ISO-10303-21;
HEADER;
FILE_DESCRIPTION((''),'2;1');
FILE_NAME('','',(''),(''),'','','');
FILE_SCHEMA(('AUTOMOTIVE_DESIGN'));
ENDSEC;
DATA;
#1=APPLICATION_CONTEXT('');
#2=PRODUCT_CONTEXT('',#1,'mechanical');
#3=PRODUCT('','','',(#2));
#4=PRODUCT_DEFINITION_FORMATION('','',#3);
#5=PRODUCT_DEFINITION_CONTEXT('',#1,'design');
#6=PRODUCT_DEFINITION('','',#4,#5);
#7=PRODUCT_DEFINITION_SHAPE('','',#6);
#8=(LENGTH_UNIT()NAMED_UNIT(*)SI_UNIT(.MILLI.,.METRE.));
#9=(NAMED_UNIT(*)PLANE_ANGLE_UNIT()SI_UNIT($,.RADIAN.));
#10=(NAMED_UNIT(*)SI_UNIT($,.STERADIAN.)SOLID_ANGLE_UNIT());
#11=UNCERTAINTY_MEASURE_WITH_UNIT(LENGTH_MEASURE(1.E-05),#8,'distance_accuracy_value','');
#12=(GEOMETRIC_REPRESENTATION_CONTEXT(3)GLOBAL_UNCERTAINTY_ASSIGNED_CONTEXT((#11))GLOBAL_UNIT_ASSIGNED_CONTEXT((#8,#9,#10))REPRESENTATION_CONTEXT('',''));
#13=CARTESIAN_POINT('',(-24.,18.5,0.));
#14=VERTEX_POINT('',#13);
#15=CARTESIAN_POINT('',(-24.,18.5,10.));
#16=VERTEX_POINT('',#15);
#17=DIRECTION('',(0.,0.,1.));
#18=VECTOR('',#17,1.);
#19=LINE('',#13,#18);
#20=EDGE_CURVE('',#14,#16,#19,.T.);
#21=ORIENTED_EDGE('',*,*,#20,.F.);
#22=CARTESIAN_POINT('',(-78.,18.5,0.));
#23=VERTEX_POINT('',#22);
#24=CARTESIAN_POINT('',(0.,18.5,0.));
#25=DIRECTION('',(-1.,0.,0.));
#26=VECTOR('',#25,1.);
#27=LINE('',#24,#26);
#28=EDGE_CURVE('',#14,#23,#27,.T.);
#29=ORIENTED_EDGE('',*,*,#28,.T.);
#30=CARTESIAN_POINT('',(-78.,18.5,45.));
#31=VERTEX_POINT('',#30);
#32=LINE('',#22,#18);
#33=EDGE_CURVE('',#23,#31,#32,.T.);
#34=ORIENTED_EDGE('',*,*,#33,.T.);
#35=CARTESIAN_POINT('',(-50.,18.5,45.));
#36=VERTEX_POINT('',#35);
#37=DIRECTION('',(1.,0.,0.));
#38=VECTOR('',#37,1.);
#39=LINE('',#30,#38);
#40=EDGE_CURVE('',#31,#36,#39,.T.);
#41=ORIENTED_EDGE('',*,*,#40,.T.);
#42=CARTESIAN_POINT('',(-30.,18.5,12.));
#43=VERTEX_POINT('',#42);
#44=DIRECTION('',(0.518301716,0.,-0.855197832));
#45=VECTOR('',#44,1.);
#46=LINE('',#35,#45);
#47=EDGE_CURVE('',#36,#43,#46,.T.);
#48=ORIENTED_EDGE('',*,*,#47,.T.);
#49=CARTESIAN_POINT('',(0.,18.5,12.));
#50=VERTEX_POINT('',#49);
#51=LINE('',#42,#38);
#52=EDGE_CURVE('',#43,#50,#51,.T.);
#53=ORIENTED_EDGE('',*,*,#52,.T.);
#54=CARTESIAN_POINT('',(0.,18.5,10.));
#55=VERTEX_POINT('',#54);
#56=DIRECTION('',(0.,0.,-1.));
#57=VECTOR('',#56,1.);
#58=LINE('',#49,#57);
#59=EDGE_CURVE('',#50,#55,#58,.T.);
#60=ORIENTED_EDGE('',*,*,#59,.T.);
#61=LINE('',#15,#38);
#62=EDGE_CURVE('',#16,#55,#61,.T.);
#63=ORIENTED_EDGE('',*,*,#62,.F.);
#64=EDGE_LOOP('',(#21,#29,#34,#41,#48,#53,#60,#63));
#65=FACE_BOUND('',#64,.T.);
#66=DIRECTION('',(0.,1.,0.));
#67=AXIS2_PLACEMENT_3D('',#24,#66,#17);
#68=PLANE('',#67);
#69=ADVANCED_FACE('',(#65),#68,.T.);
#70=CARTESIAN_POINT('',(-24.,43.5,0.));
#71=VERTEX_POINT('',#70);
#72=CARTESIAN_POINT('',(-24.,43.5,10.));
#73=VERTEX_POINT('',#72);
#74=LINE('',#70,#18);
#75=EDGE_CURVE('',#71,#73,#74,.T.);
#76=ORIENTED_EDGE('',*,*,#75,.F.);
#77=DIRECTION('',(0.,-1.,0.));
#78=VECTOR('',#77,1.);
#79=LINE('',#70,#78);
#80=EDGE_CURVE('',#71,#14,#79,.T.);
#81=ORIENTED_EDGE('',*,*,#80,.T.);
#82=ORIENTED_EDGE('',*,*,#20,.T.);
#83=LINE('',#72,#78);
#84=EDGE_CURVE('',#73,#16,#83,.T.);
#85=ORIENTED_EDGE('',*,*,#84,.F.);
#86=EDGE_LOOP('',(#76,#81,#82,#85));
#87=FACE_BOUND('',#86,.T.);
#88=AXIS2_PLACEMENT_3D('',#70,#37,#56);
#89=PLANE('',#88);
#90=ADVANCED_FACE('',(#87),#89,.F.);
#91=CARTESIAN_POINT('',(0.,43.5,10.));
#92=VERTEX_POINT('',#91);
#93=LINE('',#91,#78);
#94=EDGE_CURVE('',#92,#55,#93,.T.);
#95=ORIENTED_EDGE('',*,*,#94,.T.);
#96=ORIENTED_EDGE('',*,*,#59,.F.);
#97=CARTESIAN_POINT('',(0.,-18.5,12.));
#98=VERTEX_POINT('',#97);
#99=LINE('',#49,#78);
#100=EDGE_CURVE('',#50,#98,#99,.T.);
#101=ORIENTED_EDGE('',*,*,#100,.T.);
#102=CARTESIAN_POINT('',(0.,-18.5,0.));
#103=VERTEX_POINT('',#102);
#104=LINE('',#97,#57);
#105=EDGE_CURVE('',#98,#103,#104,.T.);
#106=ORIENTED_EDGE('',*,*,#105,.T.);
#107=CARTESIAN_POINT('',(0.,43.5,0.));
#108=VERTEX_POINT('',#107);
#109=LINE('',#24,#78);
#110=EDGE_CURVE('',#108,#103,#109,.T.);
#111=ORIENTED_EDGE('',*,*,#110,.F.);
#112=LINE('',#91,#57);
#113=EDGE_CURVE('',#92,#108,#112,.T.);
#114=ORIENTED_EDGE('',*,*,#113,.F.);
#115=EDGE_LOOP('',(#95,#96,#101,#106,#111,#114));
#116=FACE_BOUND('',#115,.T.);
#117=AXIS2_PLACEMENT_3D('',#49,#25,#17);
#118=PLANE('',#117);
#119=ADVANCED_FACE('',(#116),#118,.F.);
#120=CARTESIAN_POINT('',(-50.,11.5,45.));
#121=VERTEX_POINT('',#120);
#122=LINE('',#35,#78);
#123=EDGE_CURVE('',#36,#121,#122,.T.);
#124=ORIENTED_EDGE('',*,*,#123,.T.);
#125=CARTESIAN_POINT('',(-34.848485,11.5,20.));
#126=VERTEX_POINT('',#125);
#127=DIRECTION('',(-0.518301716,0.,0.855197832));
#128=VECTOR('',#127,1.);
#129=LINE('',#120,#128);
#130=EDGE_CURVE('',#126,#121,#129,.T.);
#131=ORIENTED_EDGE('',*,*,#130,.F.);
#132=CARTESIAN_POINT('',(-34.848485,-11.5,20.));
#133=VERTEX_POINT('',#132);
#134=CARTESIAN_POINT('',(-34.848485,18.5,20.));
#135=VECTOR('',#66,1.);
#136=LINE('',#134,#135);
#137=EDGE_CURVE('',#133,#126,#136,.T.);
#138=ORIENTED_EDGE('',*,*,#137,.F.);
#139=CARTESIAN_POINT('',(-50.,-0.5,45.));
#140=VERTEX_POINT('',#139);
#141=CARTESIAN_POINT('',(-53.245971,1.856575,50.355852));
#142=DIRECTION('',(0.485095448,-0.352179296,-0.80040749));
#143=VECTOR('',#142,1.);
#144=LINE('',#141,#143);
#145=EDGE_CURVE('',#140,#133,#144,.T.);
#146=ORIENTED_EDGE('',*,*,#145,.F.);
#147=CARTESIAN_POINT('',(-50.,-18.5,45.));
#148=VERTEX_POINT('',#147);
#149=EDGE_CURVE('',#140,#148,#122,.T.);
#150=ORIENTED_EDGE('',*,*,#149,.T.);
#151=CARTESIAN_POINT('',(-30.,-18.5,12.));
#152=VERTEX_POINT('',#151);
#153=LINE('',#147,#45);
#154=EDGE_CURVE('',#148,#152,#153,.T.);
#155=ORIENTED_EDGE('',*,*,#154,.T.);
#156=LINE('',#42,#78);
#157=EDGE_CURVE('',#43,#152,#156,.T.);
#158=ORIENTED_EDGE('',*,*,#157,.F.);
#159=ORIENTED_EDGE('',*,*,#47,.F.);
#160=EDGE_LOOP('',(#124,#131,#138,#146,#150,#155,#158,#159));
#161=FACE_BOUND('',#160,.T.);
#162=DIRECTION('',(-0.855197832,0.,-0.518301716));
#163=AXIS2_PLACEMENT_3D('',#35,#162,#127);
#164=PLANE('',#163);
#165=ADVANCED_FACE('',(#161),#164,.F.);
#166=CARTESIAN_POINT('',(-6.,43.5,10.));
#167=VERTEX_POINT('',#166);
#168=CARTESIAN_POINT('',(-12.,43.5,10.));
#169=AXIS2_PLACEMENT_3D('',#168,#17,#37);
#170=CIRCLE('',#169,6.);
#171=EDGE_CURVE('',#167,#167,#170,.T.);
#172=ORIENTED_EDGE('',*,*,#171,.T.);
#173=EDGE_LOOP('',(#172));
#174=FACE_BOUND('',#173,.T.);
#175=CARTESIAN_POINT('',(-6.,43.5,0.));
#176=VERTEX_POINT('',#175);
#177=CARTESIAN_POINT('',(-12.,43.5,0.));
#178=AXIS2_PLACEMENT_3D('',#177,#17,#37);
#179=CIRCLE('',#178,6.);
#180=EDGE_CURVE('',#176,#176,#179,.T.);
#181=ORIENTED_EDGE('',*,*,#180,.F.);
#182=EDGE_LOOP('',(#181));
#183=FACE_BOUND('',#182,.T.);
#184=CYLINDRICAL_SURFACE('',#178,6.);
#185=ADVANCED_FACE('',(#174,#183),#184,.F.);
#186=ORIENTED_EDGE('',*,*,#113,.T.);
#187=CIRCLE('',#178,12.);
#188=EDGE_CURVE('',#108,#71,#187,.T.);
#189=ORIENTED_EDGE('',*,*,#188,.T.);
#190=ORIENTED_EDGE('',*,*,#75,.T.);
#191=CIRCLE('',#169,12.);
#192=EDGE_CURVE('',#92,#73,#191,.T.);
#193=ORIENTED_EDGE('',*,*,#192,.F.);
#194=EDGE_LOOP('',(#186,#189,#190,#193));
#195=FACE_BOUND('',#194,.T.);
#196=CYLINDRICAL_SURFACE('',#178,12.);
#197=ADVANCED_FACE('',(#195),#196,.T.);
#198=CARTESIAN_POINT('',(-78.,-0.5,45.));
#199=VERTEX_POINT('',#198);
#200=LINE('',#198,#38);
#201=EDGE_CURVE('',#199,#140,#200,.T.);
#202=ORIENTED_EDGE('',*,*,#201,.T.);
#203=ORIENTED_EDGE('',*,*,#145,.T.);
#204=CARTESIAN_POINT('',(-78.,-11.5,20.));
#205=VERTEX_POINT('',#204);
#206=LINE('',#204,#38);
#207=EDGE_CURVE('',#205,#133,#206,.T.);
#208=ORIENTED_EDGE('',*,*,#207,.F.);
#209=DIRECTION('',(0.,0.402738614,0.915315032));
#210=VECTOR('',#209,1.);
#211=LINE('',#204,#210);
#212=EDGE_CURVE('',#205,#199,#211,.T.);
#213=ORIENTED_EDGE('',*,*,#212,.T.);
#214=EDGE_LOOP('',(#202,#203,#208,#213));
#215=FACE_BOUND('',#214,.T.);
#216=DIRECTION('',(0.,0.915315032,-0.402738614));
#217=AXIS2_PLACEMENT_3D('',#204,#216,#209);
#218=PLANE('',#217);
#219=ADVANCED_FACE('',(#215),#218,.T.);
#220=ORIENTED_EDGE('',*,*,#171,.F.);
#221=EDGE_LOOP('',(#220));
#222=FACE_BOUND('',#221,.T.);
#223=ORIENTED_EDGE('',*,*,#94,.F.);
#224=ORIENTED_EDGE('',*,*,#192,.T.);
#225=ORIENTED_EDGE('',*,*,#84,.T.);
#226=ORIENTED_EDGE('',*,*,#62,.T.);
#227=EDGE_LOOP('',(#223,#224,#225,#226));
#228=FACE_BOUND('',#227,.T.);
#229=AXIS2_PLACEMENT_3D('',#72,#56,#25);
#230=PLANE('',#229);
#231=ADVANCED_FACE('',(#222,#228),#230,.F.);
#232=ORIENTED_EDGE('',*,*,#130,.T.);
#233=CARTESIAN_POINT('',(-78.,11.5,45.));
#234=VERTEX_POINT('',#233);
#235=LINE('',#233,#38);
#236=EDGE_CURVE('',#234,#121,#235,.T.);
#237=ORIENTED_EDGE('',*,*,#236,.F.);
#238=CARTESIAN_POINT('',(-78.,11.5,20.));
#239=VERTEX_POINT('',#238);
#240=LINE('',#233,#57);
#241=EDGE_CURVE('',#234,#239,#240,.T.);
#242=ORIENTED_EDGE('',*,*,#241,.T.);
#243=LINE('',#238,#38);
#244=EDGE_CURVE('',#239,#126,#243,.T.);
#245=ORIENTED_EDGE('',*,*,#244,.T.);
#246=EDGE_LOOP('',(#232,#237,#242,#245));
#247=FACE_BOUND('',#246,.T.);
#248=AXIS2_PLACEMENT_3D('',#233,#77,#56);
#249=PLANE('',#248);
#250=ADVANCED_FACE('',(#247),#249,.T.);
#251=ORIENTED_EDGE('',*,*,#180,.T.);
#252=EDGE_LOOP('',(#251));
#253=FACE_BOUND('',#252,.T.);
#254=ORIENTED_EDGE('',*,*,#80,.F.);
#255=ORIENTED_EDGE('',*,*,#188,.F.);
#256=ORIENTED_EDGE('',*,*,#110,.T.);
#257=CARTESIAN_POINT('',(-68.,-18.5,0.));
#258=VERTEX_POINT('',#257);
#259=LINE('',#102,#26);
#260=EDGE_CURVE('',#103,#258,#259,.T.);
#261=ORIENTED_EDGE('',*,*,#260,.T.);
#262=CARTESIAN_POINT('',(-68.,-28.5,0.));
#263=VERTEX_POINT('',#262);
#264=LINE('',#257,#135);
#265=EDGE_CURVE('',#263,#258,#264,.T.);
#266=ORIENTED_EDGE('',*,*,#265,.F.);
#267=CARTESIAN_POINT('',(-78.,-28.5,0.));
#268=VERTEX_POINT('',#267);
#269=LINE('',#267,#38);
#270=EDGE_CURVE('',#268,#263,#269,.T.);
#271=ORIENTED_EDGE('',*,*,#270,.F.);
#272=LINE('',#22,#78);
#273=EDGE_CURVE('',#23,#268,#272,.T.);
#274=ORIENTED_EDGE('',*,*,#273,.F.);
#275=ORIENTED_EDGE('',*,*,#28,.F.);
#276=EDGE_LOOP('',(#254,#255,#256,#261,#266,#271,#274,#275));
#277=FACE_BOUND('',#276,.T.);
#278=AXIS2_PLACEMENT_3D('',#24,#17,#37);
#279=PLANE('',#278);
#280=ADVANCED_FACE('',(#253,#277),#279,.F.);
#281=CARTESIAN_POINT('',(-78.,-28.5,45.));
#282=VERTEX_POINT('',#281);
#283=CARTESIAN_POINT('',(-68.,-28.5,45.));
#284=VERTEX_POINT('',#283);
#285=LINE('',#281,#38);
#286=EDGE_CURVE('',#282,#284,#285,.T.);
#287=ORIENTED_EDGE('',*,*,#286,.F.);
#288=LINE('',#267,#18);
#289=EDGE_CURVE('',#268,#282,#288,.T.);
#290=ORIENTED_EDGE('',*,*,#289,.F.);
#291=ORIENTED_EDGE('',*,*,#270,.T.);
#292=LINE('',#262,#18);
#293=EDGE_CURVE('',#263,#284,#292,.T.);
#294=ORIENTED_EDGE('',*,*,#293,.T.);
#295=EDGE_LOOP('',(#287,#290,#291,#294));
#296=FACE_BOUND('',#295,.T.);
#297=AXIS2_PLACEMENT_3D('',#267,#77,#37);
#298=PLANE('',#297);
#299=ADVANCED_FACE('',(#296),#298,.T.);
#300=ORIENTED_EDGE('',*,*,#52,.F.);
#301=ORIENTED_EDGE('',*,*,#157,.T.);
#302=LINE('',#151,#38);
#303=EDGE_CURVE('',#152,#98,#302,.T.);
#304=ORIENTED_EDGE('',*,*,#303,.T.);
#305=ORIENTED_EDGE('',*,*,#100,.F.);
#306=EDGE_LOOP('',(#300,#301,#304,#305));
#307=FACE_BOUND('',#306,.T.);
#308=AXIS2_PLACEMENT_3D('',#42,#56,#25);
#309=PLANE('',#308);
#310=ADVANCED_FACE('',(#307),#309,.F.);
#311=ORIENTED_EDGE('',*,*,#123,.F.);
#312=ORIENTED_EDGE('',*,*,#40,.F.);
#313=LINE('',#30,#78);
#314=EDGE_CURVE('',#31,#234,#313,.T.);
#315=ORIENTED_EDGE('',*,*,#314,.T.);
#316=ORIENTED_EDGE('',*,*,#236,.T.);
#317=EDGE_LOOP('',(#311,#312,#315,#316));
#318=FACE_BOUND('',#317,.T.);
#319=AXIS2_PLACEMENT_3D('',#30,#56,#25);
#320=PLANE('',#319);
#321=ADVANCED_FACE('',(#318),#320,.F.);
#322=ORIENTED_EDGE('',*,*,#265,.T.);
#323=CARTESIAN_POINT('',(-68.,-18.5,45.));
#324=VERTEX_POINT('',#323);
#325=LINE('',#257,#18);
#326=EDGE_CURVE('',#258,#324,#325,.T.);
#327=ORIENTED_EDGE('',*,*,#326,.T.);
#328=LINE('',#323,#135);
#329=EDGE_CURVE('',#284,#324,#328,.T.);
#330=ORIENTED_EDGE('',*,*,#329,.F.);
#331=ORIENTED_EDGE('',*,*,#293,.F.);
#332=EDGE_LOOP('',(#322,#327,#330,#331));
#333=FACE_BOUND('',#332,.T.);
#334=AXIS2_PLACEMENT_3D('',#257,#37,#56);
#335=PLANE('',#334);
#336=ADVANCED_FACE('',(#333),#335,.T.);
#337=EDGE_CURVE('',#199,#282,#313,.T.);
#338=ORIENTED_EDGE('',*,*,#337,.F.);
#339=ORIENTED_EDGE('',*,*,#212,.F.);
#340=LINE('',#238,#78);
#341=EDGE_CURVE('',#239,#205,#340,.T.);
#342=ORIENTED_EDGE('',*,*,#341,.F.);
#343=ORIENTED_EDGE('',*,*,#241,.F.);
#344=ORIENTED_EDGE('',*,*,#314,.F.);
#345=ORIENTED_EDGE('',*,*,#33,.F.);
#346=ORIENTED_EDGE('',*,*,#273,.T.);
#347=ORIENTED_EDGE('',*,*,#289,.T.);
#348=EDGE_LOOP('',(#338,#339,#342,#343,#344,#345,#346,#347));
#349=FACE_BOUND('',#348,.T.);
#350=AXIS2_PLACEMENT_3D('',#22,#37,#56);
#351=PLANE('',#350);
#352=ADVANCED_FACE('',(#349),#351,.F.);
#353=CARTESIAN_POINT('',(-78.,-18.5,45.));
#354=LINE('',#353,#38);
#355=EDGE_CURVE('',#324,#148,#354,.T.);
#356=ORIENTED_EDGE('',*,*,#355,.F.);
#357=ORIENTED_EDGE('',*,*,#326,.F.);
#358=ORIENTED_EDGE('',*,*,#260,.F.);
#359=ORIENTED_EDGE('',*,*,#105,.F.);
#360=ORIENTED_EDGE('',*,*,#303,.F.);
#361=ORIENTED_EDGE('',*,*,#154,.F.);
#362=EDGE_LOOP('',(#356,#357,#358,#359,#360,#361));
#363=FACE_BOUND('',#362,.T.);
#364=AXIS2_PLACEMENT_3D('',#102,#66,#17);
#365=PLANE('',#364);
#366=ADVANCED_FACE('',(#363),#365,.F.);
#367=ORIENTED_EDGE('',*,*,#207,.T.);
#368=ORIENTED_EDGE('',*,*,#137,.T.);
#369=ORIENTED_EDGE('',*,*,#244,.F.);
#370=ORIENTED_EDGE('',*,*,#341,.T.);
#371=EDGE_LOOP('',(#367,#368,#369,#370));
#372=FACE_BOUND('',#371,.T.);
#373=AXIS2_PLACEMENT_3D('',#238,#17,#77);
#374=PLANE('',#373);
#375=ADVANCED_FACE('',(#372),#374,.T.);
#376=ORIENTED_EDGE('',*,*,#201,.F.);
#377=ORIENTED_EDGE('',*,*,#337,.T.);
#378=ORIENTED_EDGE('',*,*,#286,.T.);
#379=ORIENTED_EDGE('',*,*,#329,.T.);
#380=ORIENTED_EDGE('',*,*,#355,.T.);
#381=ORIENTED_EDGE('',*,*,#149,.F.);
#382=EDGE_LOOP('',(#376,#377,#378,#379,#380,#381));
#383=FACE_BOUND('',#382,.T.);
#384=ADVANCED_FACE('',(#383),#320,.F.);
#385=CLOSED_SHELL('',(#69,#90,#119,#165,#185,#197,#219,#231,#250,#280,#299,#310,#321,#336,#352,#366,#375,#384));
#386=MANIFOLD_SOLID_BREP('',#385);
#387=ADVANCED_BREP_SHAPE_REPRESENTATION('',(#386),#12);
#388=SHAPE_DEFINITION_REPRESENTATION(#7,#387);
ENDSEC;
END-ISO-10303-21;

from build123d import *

# Parameters (mm, degrees)
BOSS_EXTRUDE1_DEPTH = 18.5
CUT_EXTRUDE1_DEPTH  = 92.930680406
SKETCH3_W           = 24
SKETCH3_H           = 10
BOSS_EXTRUDE2_DEPTH = 25
SKETCH4_R           = 12
SKETCH4_R_2         = 6
BOSS_EXTRUDE4_DEPTH = 10
SKETCH5_R           = 6
CUT_EXTRUDE2_DEPTH  = 102.927670433
SKETCH6_W           = 10
SKETCH6_H           = 10
BOSS_EXTRUDE5_DEPTH = 45


with BuildPart() as part:
    # Sketch1 → Boss-Extrude1 (new, symmetric)
    with BuildSketch(Plane(origin=(0, 0, 0), x_dir=(-1, 0, 0), z_dir=(0, 1, 0))):
        Polygon((0, 0), (78, 0), (78, 45), (50, 45), (30, 12), (0, 12), align=None)
    extrude(amount=BOSS_EXTRUDE1_DEPTH, both=True)

    # Sketch2 → Cut-Extrude1 (cut, through all)
    with BuildSketch(Plane(origin=(-78, 0, 0), x_dir=(0, -1, 0), z_dir=(-1, 0, 0))):
        Polygon((0.5, 45), (-11.5, 45), (-11.5, 20), (11.5, 20), align=None)
    extrude(amount=-CUT_EXTRUDE1_DEPTH, mode=Mode.SUBTRACT)

    # Sketch3 → Boss-Extrude2 (add)
    with BuildSketch(Plane(origin=(0, 18.5, 0), x_dir=(-1, 0, 0), z_dir=(0, 1, 0))):
        with Locations((12, 5)):
            Rectangle(SKETCH3_W, SKETCH3_H)
    extrude(amount=BOSS_EXTRUDE2_DEPTH)

    # Sketch4 → Boss-Extrude4 (add)
    with BuildSketch(Plane.XY.offset(10)):
        with Locations((-12, 43.5)):
            Circle(SKETCH4_R)
        with Locations((-12, 43.5)):
            Circle(SKETCH4_R_2, mode=Mode.SUBTRACT)
    extrude(amount=-BOSS_EXTRUDE4_DEPTH)

    # Sketch5 → Cut-Extrude2 (cut, through all)
    with BuildSketch(Plane.XY.offset(10)):
        with Locations((-12, 43.5)):
            Circle(SKETCH5_R)
    extrude(amount=-CUT_EXTRUDE2_DEPTH, mode=Mode.SUBTRACT)

    # Sketch6 → Boss-Extrude5 (add)
    with BuildSketch(Plane.XY.offset(45)):
        with Locations((-73, -23.5)):
            Rectangle(SKETCH6_W, SKETCH6_H)
    extrude(amount=-BOSS_EXTRUDE5_DEPTH)


solid = part.part
